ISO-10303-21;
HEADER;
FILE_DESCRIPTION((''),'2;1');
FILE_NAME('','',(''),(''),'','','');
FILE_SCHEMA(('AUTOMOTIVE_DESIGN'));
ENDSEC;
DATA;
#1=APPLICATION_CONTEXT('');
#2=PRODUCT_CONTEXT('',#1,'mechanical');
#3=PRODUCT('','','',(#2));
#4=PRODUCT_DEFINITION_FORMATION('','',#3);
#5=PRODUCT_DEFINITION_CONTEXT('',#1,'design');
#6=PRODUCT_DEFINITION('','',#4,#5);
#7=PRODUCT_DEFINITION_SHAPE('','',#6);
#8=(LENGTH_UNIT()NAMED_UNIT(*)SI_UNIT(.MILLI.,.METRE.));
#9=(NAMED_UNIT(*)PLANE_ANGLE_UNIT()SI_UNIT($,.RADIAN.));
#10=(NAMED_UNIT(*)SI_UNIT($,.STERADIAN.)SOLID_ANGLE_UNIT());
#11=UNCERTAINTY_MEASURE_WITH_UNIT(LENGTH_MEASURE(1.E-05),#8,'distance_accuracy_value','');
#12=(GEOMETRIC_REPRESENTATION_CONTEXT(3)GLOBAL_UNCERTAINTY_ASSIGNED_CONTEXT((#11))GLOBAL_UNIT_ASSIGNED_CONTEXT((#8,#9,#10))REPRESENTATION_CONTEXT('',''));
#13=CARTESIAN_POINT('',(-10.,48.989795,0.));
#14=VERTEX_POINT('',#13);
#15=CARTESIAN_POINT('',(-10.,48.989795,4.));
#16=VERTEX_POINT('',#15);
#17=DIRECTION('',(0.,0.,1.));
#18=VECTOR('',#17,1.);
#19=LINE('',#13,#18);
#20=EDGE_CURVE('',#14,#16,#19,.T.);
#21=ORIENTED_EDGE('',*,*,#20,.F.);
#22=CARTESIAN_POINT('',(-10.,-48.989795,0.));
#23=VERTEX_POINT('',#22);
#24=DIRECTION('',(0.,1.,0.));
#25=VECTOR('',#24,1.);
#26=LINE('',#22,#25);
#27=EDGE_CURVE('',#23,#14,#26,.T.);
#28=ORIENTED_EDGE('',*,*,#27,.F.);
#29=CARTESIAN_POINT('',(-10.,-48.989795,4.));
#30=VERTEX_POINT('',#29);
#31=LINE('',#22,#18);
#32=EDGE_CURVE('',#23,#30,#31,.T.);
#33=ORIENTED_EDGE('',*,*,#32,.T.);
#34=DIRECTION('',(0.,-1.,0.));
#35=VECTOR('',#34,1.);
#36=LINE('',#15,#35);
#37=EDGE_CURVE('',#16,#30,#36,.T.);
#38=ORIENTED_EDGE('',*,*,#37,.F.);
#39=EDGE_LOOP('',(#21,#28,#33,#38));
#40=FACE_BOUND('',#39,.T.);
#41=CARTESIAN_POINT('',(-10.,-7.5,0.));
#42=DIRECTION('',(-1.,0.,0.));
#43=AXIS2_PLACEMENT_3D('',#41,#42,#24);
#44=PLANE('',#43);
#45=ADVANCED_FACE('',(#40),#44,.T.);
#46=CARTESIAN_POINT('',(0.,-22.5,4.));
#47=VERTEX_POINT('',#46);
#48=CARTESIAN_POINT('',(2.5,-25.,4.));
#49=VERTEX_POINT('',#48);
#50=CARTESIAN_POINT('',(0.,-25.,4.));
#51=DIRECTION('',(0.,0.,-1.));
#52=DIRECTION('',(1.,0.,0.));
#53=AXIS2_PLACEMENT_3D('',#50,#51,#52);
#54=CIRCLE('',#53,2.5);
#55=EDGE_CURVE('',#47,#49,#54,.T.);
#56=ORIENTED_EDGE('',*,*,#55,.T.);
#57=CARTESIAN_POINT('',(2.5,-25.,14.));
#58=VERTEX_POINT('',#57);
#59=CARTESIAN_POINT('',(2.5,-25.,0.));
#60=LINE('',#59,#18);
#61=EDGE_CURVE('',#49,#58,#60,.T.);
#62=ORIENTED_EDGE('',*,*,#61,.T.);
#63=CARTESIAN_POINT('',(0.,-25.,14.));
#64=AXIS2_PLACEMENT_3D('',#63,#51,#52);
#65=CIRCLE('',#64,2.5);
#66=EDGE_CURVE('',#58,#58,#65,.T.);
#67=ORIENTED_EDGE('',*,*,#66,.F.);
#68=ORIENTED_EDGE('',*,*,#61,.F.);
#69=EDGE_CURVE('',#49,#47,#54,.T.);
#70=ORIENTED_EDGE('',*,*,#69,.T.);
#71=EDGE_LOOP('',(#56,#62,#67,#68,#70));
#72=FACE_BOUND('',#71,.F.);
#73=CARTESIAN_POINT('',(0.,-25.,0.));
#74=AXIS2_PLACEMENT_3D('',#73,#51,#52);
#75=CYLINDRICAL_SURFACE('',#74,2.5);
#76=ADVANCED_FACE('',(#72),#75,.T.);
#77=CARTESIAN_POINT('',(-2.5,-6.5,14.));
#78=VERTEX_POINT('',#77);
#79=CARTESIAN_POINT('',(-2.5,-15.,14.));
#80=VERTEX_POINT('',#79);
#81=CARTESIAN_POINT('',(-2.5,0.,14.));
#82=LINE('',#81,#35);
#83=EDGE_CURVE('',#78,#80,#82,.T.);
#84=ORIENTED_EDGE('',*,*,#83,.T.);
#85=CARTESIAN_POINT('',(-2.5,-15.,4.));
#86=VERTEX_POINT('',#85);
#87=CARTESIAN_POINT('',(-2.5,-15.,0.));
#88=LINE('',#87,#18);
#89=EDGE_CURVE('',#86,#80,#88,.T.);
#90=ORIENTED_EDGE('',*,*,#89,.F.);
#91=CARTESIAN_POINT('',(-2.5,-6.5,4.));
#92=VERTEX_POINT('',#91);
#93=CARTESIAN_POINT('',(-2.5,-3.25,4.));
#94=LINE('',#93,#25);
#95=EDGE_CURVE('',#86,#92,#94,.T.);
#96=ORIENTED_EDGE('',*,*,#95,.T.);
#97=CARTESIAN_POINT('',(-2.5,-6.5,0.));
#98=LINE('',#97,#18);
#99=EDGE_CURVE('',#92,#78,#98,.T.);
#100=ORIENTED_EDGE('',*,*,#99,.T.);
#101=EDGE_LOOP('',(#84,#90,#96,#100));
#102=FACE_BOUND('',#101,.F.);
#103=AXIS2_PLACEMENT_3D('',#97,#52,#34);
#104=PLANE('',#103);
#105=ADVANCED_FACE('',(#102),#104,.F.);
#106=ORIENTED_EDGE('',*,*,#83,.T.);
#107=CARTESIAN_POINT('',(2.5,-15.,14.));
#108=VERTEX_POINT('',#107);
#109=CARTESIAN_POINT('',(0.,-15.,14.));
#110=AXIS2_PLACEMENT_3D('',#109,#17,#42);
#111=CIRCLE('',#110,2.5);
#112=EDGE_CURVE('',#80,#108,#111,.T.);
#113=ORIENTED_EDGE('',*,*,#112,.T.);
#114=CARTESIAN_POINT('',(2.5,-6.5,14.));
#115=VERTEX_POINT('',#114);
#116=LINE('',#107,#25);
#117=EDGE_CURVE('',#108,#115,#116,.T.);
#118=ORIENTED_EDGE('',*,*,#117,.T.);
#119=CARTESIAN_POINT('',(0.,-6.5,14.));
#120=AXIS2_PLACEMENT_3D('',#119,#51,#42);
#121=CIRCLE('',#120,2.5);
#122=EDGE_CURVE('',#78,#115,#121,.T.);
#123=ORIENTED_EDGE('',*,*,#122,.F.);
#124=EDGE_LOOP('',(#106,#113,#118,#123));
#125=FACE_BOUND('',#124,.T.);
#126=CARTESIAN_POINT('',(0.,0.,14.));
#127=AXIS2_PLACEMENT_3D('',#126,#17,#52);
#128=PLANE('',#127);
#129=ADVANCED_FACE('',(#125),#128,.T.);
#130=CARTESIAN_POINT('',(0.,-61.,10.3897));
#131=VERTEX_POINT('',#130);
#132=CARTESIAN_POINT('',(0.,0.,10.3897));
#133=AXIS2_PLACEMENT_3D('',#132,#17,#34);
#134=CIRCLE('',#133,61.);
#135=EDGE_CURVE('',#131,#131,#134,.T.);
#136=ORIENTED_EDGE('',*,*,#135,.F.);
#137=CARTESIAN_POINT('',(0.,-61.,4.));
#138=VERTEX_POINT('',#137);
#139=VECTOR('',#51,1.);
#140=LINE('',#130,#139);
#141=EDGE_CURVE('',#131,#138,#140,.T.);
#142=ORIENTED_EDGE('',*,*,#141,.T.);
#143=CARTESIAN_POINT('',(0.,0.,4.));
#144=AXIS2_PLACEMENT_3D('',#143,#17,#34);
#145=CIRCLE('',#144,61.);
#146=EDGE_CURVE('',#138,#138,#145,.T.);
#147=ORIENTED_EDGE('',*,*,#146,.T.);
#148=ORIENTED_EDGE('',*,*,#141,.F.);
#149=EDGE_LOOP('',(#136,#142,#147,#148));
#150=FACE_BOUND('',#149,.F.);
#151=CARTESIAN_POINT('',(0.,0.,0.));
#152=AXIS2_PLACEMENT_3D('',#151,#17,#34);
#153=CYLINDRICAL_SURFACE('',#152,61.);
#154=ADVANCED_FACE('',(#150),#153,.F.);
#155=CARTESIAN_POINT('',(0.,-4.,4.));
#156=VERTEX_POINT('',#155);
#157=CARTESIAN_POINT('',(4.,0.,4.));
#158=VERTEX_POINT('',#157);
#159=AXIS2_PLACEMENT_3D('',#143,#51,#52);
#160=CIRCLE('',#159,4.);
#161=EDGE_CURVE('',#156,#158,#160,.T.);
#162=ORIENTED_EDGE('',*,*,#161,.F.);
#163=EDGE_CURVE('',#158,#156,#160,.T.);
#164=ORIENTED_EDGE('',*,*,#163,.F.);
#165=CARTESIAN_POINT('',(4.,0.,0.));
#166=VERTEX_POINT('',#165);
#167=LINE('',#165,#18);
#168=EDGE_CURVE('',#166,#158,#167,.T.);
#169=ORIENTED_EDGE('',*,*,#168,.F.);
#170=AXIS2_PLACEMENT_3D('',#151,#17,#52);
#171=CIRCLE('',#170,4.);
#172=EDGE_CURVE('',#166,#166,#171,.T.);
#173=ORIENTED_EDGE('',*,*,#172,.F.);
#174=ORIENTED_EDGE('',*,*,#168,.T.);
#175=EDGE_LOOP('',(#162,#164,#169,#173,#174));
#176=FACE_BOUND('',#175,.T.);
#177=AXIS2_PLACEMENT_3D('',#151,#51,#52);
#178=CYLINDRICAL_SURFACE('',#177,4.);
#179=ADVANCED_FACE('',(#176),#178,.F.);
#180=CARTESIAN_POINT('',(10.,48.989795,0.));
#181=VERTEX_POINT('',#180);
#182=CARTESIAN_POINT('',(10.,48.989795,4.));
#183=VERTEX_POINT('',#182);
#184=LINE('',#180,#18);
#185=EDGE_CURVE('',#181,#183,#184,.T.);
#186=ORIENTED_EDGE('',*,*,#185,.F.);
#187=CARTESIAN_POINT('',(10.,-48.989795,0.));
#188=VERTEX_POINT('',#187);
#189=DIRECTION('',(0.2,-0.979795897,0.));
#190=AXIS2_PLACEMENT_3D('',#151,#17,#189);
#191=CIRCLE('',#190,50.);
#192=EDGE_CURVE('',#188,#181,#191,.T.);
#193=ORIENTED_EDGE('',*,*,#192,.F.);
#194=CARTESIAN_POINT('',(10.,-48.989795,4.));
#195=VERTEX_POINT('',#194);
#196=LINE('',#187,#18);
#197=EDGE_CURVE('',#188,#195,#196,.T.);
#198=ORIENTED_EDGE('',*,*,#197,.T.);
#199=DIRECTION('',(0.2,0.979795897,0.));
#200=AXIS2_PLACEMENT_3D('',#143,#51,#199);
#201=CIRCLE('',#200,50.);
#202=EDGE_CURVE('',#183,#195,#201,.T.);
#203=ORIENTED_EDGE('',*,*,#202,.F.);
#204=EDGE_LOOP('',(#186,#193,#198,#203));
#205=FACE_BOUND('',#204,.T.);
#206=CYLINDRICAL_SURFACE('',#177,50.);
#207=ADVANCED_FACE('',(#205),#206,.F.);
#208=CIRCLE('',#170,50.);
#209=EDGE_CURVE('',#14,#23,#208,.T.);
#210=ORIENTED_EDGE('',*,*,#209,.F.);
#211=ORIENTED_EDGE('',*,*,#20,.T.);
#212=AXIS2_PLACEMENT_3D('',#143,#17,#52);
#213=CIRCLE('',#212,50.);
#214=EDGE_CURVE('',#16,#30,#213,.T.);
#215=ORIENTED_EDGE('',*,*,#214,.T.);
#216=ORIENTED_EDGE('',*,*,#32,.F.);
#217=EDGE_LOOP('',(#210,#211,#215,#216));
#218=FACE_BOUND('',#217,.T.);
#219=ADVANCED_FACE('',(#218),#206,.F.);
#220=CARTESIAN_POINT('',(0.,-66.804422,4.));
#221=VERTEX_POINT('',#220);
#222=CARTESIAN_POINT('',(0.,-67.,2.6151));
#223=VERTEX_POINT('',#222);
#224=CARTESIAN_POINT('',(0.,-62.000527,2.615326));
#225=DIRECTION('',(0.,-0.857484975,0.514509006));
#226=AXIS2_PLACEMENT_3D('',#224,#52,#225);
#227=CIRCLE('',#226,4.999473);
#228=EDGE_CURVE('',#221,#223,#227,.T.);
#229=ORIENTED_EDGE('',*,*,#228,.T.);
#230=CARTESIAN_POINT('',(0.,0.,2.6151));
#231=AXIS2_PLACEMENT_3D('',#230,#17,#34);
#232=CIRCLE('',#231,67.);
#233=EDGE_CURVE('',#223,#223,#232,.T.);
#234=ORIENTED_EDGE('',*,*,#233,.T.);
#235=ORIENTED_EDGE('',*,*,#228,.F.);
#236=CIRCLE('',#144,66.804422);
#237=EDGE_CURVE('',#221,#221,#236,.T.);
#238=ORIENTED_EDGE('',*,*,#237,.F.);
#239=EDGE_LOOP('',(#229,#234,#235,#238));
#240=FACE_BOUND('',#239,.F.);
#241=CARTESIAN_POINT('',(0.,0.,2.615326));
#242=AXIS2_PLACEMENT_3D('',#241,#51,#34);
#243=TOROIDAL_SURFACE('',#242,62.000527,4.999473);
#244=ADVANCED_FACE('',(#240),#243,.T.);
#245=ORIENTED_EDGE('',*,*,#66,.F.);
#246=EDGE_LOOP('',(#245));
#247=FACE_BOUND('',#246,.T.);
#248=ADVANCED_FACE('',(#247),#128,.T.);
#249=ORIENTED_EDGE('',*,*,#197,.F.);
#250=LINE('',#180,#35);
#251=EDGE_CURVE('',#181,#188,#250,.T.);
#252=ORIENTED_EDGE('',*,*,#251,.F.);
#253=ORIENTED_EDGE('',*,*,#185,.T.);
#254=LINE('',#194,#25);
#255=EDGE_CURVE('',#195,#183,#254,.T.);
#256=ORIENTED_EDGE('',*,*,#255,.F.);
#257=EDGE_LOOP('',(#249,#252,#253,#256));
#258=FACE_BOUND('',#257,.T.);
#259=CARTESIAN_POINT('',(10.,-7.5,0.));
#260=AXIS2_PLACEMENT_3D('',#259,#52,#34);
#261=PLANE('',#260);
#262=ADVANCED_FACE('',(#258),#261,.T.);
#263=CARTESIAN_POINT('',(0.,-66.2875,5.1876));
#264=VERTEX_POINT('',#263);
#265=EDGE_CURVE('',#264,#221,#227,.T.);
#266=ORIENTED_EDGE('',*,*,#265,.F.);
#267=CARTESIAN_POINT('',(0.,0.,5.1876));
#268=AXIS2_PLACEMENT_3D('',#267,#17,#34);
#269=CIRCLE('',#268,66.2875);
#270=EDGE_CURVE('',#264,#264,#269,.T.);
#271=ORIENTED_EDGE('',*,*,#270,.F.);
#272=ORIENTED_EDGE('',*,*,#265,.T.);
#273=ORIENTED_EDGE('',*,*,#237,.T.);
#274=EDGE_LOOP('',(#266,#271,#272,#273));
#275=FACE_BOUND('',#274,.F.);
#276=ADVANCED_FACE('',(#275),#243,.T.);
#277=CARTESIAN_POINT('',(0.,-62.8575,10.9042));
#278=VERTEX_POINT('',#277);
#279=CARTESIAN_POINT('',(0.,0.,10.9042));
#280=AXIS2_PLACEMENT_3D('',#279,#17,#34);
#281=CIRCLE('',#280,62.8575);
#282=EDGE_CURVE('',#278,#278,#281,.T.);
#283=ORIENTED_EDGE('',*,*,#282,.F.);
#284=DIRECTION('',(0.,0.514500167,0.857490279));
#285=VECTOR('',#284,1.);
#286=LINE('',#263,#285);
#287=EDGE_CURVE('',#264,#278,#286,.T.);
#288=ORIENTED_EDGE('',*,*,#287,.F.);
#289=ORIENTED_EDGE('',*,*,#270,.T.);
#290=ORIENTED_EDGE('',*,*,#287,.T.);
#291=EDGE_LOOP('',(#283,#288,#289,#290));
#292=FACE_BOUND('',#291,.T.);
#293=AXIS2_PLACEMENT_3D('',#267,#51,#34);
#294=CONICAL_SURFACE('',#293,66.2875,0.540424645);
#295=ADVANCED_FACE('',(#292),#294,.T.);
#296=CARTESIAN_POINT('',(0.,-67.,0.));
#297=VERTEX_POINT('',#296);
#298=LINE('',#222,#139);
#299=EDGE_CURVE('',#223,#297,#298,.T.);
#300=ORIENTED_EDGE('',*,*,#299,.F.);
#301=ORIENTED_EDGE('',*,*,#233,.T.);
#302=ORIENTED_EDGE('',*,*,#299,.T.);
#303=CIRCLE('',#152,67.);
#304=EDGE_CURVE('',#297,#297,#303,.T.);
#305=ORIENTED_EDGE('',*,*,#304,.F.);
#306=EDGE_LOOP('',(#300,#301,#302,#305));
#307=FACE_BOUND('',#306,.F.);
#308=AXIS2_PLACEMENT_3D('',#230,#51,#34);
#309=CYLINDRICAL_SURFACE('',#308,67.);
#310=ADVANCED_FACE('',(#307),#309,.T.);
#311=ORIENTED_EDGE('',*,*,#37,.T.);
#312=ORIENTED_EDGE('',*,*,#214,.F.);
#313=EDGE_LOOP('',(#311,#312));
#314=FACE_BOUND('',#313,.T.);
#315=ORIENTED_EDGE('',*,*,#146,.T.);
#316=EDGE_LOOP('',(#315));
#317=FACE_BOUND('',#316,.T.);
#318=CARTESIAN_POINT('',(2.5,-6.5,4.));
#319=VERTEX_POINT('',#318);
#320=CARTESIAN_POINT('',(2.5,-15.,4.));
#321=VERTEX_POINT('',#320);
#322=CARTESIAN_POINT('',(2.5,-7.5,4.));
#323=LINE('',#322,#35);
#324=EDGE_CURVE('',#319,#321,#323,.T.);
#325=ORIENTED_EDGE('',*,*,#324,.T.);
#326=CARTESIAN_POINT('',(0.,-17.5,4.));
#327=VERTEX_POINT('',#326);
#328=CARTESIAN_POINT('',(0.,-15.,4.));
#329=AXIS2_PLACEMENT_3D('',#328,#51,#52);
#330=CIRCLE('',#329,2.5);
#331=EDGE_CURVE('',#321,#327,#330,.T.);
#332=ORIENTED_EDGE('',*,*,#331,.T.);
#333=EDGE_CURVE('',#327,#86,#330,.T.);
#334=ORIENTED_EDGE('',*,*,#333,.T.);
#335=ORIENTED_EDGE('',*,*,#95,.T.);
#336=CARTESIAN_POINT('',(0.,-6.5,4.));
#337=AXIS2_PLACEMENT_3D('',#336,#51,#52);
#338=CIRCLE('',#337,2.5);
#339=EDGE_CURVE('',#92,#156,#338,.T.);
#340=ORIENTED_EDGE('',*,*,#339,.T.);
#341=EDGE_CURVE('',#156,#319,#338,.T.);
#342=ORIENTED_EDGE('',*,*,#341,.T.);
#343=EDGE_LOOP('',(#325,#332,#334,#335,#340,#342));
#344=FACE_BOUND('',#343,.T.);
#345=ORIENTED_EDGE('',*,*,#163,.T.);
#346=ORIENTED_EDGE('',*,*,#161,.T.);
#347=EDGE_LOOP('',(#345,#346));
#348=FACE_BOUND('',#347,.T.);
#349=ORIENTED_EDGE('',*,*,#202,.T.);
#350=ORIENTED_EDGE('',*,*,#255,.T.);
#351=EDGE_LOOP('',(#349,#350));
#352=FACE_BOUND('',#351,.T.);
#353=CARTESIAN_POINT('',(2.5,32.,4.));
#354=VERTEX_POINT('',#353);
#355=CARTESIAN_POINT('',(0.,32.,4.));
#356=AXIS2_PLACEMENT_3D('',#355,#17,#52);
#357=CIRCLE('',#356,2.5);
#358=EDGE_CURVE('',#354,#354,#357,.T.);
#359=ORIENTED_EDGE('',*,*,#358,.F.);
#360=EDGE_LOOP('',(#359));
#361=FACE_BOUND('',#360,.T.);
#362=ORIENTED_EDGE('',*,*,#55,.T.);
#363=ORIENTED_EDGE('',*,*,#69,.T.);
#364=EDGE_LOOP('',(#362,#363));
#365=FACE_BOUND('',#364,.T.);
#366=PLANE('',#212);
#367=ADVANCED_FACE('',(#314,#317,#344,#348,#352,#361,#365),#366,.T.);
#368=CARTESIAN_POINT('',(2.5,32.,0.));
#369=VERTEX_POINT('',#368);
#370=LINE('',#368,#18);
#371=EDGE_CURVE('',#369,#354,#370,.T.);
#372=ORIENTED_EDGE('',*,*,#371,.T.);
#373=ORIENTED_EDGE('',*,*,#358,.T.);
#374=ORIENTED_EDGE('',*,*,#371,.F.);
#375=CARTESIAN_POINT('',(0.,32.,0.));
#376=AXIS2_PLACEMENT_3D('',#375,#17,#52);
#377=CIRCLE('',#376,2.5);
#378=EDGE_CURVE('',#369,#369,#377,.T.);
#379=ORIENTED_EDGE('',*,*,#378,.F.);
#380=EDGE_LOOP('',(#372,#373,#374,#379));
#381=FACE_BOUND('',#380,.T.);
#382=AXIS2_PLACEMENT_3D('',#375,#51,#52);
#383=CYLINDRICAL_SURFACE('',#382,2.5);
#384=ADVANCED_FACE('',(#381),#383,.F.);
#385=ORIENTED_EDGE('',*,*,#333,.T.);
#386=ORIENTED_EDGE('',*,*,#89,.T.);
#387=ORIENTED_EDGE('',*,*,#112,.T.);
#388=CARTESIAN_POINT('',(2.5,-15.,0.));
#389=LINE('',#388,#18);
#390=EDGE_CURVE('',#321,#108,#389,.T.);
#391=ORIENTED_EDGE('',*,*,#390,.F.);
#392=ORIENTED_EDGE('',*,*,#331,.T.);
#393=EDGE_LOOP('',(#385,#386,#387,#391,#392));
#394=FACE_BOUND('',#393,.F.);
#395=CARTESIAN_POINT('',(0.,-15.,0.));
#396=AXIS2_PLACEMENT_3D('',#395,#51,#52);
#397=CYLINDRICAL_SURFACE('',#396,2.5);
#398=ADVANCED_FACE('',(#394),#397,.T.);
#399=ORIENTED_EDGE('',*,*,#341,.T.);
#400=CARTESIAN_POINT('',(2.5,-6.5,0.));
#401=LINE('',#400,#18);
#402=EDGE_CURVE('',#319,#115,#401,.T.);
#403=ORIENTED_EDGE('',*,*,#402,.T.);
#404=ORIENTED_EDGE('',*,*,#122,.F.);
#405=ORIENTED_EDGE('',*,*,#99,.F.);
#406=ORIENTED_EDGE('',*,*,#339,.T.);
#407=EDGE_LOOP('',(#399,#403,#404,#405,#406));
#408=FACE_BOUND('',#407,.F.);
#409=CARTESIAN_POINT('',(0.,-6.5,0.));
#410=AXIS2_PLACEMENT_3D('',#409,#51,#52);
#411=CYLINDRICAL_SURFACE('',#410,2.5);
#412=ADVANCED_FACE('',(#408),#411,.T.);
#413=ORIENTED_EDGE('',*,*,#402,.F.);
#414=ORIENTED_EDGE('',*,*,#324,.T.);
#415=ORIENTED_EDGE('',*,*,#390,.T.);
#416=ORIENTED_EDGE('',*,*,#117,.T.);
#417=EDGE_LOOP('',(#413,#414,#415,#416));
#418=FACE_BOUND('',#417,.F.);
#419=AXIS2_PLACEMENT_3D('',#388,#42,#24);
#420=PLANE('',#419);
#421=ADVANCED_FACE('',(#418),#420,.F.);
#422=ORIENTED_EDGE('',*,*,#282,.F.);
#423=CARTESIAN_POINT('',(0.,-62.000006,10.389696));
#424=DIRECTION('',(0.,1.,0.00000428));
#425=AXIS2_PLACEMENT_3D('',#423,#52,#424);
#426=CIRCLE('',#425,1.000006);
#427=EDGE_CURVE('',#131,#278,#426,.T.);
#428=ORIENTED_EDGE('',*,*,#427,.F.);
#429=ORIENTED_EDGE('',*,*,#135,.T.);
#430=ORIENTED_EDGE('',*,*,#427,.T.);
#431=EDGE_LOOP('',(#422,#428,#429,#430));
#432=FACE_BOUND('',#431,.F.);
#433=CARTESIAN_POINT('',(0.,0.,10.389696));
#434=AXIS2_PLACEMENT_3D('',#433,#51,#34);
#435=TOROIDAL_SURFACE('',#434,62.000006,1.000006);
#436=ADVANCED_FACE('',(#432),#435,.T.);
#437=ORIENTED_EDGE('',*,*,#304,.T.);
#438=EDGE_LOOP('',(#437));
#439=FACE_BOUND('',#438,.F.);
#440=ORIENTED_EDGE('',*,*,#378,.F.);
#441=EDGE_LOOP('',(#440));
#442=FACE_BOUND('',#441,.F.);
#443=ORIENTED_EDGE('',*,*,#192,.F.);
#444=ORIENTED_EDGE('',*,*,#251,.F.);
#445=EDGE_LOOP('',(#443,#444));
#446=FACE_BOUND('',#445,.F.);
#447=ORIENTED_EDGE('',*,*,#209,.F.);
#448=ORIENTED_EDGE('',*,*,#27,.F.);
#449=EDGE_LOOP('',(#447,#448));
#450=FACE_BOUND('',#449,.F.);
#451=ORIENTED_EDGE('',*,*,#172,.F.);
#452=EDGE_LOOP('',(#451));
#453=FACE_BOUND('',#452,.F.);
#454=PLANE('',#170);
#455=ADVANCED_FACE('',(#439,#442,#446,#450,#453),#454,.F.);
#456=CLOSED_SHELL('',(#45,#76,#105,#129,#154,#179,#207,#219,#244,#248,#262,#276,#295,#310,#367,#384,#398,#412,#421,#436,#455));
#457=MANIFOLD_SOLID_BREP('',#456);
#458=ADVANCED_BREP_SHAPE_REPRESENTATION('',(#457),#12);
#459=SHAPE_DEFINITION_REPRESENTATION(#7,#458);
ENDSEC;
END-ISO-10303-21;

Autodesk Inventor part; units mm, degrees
ref_plane "YZ Plane" through (0, 0, 0) normal (1, 0, 0) x (0, 1, 0)
ref_plane "XZ Plane" through (0, 0, 0) normal (0, 1, 0) x (-1, 0, 0)
ref_plane "XY Plane" through (0, 0, 0) normal (0, 0, 1) x (1, 0, 0)
sketch "Sketch1" plane through (0, 0, 0) normal (0, 0, 1) x (1, 0, 0)
  circle A0 centre (0, 0) radius 61
  arc A1 (7.0788, 15.7662) -> (7.8803, 16.1398) centre (0, 32) ccw
  circle A2 centre (0, 0) radius 61
  circle A3 centre (0, 32) radius 2.5
  circle A4 centre (0, 0) radius 50
  circle A5 centre (0, 0) radius 57.5 construction
  circle A6 centre (0, 0) radius 57 construction
  circle A7 centre (0, 0) radius 7.5 construction
  circle A8 centre (0, 32) radius 23 construction
  circle A9 centre (0, 0) radius 45 construction
  circle A10 centre (0, 32) radius 27.5 construction
  line L0 (-5.8547, -4.6875) -> (-21.4672, 14.8125) construction
  line L1 (5.8547, -4.6875) -> (21.4672, 14.8125) construction
  line L2 (0, 0) -> (0, 32) construction
  line L3 (7.5, 44.3706) -> (7.5, -44.3706) construction
  line L4 (-7.5, 44.3706) -> (-7.5, -44.3706) construction
  circle A11 centre (0, 0) radius 2.5
  line L5 (0, 0) -> (0, -15) construction
  circle A12 centre (0, -15) radius 2.5
  line L6 (-2.5, 0) -> (-2.5, -15)
  line L7 (2.5, -15) -> (2.5, 0)
  circle A13 centre (0, -7.5) radius 10 construction
  line L8 (-10, -7.5) -> (-10, 60.1747)
  line L9 (10, -7.5) -> (10, 60.1747)
  line L10 (-10, -7.5) -> (-10, -60.1747)
  line L11 (10, -7.5) -> (10, -60.1747)
  circle A14 centre (0, 0) radius 4
  circle A15 centre (0, -6.5) radius 2.5
  line L12 (0, -15) -> (0, -25)
  circle A16 centre (0, -25) radius 2.5
  point P0 (35.0374, 41.2549)
  point P1 (15.3046, 2.7982)
  point P2 (-19.4282, 41.2549)
  point P3 (0.3046, 2.7982)
  point P4 (25.4129, 52.2276)
  point P5 (-9.8037, 52.2276)
  point P6 (-10, 48.9898)
  point P7 (-10, -48.9898)
  point P8 (10, 48.9898)
  point P9 (10, -48.9898)
  point P10 (-2.5, -6.5)
  point P11 (2.5, -6.5)
  point P12 (-2.5, -3.1225)
  point P13 (2.5, -3.1225)
  dimension "d0" = 5
  dimension "d1" = 100
  dimension "d2" = 115
  dimension "d3" = 15
  dimension "d4" = 46
  dimension "d5" = 90
  dimension "d6" = 55
  dimension "d7" = 32
  dimension "d8" = 5
  dimension "d9" = 15
  dimension "d10" = 5
  dimension "d23" = 122
  dimension "d26" = 8
  dimension "d28" = 10
  dimension "d29" = 5
extrude "Extrusion1" add sketch "Sketch1" along normal blind 4 contours A0 L11 A4 L9 | L9 A4 L8 A0 | A0 L10 A4 L11 | L8 A4 L10 A0 | L9 L11 A4 L10 L8 | A16 | L7 A15 A14 | A14 A15 L6 | A15 | L7 A12 L6 A15 | A12
extrude "Extrusion2" add sketch "Sketch1" along normal blind 14 contours A16 | A15 | L7 A12 L6 A15 | A12
ref_plane "Work Plane1" through (0, -48.9898, 0) normal (1, 0, 0) x (0, 0, -1)
sketch "Sketch2" plane through (0, -48.9898, 0) normal (1, 0, 0) x (0, 0, -1)
  line L0 (-4, 109.9898) -> (-4, -12.0102) projected
  line L1 (0, 109.9898) -> (0, -12.0102) projected
  line L2 (0, 109.9898) -> (0, -12.0102) projected
  line L3 (0, -12.0102) -> (-10.3897, -12.0102)
  line L4 (-14, 33.9898) -> (-14, 31.4898) projected
  line L5 (0, -12.0102) -> (-4, -12.0102)
  line L6 (-4, -12.0102) -> (-4, -18.0102)
  line L7 (-2.6151, -18.0102) -> (0, -18.0102)
  line L8 (0, -18.0102) -> (0, -12.0102)
  line L9 (-5.1876, -17.2977) -> (-10.9042, -13.8677)
  arc A0 (-10.3897, -12.0102) -> (-10.9042, -13.8677) centre (-10.3897, -13.0102) ccw
  arc A1 (-5.1876, -17.2977) -> (-2.6151, -18.0102) centre (-2.6151, -13.0102) ccw
  line L10 (-0.0174, 48.9898) -> (-14.0174, 48.9898) construction
  line L11 (-0.0174, 48.9898) -> (13.9826, 48.9898) construction
  point P0 (0, 48.9898)
  point P1 (-14, -12.0102)
  dimension "d15" = 14
  dimension "d16" = 4
  dimension "d17" = 6
  dimension "d18" = 1
  dimension "d19" = 5
  dimension "d20" = 14
  dimension "d21" = 180
revolve "Revolution1" add sketch "Sketch2" angle 360 about axis through (0, 0, 0.0174) along (0, 0, 1)
properties part number "Gear Holder 2"
